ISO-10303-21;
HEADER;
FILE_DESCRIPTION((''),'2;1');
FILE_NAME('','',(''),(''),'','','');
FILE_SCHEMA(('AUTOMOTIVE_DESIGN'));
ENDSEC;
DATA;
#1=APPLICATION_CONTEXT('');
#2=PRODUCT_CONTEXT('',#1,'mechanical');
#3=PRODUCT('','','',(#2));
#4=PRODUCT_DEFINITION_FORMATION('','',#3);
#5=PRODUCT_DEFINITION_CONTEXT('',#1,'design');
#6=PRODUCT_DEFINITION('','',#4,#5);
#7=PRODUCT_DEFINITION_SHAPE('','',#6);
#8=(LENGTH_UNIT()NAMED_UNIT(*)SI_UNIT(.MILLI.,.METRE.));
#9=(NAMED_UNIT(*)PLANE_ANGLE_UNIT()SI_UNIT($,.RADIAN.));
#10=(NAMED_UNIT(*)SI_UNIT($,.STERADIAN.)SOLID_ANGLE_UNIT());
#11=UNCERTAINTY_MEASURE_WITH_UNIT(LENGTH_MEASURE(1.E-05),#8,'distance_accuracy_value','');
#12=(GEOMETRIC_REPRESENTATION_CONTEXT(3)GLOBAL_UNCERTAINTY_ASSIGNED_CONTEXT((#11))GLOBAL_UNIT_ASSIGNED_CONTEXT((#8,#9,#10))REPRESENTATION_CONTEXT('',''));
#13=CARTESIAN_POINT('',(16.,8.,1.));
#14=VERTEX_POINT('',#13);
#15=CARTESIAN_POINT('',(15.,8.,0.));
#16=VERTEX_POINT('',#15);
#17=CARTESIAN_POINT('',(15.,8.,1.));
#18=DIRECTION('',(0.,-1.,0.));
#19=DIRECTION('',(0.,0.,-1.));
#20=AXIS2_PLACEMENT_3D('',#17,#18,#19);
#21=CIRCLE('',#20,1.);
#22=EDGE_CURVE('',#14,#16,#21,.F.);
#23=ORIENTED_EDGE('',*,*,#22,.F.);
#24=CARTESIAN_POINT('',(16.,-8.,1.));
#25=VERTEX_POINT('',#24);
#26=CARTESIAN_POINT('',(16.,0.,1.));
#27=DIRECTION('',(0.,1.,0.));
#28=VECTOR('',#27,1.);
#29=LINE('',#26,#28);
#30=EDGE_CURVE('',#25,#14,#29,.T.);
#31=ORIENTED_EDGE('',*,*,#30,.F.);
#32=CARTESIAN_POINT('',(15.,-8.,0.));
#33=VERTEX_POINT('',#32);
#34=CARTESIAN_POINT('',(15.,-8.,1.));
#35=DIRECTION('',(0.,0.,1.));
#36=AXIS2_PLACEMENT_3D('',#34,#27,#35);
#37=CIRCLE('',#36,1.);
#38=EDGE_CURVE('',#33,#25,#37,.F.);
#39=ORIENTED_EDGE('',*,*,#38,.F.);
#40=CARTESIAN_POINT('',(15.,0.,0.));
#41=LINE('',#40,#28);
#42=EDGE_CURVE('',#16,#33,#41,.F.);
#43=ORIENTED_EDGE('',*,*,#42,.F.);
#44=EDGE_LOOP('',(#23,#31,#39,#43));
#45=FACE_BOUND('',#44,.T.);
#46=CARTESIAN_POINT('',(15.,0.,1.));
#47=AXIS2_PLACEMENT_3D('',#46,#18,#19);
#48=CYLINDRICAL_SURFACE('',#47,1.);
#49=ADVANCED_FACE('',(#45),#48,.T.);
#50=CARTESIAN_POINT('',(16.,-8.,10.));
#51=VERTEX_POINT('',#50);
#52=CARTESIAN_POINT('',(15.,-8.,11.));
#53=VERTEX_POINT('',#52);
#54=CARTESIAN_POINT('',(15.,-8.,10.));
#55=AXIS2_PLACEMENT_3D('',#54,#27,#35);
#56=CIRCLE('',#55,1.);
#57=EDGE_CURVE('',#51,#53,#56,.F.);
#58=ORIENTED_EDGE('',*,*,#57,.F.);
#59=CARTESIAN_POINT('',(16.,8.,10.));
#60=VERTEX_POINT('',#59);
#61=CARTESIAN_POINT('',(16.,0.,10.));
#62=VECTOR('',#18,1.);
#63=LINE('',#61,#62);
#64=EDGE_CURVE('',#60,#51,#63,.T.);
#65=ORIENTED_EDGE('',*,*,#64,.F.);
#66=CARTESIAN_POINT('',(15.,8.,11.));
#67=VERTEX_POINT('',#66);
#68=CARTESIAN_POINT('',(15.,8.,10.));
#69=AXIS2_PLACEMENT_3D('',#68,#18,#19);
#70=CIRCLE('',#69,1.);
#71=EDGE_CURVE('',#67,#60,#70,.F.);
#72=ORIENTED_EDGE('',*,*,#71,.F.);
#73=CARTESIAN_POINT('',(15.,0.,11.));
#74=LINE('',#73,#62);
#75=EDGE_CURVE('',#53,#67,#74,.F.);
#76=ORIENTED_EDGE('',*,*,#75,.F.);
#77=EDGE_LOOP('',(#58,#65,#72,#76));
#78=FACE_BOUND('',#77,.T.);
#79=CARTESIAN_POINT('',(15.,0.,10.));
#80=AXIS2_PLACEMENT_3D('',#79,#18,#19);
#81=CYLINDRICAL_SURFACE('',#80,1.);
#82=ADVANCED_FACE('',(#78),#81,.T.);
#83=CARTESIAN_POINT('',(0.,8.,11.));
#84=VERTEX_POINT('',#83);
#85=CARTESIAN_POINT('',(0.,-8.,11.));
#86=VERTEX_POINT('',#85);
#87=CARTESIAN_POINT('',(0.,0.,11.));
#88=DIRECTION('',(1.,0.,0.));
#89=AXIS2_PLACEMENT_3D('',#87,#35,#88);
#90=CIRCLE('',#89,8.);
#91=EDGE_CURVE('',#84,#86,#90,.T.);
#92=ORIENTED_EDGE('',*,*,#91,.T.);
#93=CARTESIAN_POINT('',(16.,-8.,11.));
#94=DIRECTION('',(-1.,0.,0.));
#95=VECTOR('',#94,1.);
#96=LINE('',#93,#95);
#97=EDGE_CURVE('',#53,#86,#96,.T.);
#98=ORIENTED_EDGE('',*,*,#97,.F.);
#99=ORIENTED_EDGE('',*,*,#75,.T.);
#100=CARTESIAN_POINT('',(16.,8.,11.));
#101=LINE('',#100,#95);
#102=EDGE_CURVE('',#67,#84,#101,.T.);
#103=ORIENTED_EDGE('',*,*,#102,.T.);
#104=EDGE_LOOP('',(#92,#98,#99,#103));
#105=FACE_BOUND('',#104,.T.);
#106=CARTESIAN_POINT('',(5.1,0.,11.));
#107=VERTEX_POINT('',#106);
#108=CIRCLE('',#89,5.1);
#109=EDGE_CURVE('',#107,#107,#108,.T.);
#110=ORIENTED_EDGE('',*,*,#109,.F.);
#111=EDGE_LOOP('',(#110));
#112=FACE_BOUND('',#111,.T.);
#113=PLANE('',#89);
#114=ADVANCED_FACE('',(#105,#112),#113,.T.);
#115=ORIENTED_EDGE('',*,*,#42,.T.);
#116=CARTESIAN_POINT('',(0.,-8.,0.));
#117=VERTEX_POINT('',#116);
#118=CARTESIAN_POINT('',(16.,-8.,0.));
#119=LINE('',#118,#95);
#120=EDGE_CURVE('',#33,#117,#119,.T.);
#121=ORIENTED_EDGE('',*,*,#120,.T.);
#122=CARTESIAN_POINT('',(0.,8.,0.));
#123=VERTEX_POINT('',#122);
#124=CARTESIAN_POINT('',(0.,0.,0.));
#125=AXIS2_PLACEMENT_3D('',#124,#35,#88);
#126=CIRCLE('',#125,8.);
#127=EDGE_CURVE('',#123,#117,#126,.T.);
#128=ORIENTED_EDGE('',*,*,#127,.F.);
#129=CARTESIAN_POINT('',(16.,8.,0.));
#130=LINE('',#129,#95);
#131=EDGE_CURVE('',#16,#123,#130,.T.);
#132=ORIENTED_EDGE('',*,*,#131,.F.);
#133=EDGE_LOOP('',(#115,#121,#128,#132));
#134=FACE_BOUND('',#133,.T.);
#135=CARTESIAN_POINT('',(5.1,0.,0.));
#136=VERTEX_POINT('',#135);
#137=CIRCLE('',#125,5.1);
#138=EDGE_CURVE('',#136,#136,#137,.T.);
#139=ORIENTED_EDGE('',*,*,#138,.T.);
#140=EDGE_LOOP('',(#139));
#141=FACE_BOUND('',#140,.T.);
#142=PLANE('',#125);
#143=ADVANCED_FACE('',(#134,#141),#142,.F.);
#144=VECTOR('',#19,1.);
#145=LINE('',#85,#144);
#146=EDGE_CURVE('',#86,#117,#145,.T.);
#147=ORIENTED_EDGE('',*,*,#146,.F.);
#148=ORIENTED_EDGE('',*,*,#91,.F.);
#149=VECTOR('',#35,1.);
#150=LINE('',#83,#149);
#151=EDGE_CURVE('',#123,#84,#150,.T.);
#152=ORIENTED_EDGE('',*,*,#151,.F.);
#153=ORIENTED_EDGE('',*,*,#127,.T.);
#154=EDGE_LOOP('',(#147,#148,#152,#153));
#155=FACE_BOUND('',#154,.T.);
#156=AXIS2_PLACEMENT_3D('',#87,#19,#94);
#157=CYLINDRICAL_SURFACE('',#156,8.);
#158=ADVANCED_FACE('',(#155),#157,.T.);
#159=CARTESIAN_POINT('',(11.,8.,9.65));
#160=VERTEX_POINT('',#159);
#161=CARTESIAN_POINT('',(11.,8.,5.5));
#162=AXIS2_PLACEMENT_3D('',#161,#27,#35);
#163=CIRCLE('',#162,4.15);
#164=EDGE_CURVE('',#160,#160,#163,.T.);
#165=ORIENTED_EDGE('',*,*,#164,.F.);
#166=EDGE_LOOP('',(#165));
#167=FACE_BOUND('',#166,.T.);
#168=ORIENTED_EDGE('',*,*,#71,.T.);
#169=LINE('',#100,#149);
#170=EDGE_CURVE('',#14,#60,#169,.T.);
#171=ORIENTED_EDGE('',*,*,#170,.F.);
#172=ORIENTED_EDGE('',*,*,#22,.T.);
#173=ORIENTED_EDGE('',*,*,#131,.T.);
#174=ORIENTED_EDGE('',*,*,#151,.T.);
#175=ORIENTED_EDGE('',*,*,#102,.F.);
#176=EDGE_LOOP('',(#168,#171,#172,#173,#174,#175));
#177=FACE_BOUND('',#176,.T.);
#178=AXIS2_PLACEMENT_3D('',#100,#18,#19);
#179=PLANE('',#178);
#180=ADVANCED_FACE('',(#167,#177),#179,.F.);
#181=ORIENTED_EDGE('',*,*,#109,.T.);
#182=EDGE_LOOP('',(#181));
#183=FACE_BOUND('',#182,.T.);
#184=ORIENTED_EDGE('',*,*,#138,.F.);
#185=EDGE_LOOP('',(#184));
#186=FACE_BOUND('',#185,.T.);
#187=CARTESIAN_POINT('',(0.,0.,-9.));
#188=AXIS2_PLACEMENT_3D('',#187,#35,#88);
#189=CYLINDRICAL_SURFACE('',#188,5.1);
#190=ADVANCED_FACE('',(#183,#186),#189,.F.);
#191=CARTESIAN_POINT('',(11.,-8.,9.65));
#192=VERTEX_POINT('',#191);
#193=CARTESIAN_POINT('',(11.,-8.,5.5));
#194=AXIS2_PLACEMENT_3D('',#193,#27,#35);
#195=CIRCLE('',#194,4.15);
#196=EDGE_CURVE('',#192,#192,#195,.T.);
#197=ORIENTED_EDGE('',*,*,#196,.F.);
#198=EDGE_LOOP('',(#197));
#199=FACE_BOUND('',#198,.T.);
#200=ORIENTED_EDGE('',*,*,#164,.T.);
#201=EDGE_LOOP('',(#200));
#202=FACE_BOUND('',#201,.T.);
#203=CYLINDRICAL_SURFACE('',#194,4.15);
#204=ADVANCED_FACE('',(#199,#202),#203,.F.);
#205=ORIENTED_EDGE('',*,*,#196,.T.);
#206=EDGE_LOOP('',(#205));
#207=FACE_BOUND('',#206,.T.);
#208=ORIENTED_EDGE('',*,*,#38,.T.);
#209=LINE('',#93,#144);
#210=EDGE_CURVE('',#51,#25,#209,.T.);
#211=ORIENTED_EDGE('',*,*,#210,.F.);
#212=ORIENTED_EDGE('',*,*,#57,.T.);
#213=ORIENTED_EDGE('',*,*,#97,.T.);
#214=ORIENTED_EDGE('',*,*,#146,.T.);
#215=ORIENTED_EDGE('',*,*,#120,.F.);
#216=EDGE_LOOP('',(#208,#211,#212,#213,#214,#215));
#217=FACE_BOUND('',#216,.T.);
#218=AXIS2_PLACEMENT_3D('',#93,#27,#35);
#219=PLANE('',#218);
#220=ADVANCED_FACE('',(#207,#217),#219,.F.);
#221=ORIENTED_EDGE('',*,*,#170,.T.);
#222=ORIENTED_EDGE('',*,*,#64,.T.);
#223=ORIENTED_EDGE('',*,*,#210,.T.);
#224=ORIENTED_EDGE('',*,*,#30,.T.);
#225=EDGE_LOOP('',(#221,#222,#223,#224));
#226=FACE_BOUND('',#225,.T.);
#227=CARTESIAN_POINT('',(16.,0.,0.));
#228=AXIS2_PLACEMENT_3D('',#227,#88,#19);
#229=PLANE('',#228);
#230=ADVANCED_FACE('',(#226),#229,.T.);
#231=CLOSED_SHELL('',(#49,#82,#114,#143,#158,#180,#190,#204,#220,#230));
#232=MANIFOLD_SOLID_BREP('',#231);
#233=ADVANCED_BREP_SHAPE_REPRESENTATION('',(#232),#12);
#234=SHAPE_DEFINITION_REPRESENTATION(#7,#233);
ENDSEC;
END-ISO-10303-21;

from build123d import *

# Parameters (mm, degrees)
CROQUIS1_R                 = 8
SALIENTE_EXTRUIR1_DEPTH    = 11
CROQUIS2_W                 = 11
CROQUIS2_H                 = 16
SALIENTE_EXTRUIR2_DEPTH    = 16
CROQUIS3_R                 = 5.1
CORTAR_EXTRUIR1_DEPTH      = 20
CORTAR_EXTRUIR2_DEPTH      = 22
CORTAR_EXTRUIR2_DEPTH_BACK = 22
CROQUIS4_R                 = 4.15
REDONDEO2_R                = 1
REDONDEO3_R                = 1


with BuildPart() as part:
    # Croquis1 → Saliente-Extruir1 (new body)
    with BuildSketch(Plane.XY):
        Circle(CROQUIS1_R)
    extrude(amount=SALIENTE_EXTRUIR1_DEPTH)

    # Croquis2 → Saliente-Extruir2 (add)
    with BuildSketch(Plane(origin=(0, 0, 0), x_dir=(0, 0, -1), z_dir=(1, 0, 0))):
        with Locations((-5.5, 0)):
            Rectangle(CROQUIS2_W, CROQUIS2_H)
    extrude(amount=SALIENTE_EXTRUIR2_DEPTH)

    # Croquis3 → Cortar-Extruir1 (cut)
    with BuildSketch(Plane.XY.offset(11)):
        Circle(CROQUIS3_R)
    extrude(amount=-CORTAR_EXTRUIR1_DEPTH, mode=Mode.SUBTRACT)

    # Croquis4 → Cortar-Extruir2 (cut, two sides: drawn at the far end of the back side and taken through both)
    with BuildSketch(Plane(origin=(0, 0, 0), x_dir=(1, 0, 0), z_dir=(0, 1, 0)).offset(-CORTAR_EXTRUIR2_DEPTH_BACK)):
        with Locations(Location((11, -5.5, 0), (0, 0, 270))):
            Circle(CROQUIS4_R)
    extrude(amount=CORTAR_EXTRUIR2_DEPTH + CORTAR_EXTRUIR2_DEPTH_BACK, mode=Mode.SUBTRACT)

    # Redondeo2
    redondeo2_edges = [part.edges().sort_by_distance(p)[0] for p in [
        (16, 0, 0),
    ]]
    fillet(redondeo2_edges, radius=REDONDEO2_R)

    # Redondeo3
    redondeo3_edges = [part.edges().sort_by_distance(p)[0] for p in [
        (16, 0, 11),
    ]]
    fillet(redondeo3_edges, radius=REDONDEO3_R)


solid = part.part
